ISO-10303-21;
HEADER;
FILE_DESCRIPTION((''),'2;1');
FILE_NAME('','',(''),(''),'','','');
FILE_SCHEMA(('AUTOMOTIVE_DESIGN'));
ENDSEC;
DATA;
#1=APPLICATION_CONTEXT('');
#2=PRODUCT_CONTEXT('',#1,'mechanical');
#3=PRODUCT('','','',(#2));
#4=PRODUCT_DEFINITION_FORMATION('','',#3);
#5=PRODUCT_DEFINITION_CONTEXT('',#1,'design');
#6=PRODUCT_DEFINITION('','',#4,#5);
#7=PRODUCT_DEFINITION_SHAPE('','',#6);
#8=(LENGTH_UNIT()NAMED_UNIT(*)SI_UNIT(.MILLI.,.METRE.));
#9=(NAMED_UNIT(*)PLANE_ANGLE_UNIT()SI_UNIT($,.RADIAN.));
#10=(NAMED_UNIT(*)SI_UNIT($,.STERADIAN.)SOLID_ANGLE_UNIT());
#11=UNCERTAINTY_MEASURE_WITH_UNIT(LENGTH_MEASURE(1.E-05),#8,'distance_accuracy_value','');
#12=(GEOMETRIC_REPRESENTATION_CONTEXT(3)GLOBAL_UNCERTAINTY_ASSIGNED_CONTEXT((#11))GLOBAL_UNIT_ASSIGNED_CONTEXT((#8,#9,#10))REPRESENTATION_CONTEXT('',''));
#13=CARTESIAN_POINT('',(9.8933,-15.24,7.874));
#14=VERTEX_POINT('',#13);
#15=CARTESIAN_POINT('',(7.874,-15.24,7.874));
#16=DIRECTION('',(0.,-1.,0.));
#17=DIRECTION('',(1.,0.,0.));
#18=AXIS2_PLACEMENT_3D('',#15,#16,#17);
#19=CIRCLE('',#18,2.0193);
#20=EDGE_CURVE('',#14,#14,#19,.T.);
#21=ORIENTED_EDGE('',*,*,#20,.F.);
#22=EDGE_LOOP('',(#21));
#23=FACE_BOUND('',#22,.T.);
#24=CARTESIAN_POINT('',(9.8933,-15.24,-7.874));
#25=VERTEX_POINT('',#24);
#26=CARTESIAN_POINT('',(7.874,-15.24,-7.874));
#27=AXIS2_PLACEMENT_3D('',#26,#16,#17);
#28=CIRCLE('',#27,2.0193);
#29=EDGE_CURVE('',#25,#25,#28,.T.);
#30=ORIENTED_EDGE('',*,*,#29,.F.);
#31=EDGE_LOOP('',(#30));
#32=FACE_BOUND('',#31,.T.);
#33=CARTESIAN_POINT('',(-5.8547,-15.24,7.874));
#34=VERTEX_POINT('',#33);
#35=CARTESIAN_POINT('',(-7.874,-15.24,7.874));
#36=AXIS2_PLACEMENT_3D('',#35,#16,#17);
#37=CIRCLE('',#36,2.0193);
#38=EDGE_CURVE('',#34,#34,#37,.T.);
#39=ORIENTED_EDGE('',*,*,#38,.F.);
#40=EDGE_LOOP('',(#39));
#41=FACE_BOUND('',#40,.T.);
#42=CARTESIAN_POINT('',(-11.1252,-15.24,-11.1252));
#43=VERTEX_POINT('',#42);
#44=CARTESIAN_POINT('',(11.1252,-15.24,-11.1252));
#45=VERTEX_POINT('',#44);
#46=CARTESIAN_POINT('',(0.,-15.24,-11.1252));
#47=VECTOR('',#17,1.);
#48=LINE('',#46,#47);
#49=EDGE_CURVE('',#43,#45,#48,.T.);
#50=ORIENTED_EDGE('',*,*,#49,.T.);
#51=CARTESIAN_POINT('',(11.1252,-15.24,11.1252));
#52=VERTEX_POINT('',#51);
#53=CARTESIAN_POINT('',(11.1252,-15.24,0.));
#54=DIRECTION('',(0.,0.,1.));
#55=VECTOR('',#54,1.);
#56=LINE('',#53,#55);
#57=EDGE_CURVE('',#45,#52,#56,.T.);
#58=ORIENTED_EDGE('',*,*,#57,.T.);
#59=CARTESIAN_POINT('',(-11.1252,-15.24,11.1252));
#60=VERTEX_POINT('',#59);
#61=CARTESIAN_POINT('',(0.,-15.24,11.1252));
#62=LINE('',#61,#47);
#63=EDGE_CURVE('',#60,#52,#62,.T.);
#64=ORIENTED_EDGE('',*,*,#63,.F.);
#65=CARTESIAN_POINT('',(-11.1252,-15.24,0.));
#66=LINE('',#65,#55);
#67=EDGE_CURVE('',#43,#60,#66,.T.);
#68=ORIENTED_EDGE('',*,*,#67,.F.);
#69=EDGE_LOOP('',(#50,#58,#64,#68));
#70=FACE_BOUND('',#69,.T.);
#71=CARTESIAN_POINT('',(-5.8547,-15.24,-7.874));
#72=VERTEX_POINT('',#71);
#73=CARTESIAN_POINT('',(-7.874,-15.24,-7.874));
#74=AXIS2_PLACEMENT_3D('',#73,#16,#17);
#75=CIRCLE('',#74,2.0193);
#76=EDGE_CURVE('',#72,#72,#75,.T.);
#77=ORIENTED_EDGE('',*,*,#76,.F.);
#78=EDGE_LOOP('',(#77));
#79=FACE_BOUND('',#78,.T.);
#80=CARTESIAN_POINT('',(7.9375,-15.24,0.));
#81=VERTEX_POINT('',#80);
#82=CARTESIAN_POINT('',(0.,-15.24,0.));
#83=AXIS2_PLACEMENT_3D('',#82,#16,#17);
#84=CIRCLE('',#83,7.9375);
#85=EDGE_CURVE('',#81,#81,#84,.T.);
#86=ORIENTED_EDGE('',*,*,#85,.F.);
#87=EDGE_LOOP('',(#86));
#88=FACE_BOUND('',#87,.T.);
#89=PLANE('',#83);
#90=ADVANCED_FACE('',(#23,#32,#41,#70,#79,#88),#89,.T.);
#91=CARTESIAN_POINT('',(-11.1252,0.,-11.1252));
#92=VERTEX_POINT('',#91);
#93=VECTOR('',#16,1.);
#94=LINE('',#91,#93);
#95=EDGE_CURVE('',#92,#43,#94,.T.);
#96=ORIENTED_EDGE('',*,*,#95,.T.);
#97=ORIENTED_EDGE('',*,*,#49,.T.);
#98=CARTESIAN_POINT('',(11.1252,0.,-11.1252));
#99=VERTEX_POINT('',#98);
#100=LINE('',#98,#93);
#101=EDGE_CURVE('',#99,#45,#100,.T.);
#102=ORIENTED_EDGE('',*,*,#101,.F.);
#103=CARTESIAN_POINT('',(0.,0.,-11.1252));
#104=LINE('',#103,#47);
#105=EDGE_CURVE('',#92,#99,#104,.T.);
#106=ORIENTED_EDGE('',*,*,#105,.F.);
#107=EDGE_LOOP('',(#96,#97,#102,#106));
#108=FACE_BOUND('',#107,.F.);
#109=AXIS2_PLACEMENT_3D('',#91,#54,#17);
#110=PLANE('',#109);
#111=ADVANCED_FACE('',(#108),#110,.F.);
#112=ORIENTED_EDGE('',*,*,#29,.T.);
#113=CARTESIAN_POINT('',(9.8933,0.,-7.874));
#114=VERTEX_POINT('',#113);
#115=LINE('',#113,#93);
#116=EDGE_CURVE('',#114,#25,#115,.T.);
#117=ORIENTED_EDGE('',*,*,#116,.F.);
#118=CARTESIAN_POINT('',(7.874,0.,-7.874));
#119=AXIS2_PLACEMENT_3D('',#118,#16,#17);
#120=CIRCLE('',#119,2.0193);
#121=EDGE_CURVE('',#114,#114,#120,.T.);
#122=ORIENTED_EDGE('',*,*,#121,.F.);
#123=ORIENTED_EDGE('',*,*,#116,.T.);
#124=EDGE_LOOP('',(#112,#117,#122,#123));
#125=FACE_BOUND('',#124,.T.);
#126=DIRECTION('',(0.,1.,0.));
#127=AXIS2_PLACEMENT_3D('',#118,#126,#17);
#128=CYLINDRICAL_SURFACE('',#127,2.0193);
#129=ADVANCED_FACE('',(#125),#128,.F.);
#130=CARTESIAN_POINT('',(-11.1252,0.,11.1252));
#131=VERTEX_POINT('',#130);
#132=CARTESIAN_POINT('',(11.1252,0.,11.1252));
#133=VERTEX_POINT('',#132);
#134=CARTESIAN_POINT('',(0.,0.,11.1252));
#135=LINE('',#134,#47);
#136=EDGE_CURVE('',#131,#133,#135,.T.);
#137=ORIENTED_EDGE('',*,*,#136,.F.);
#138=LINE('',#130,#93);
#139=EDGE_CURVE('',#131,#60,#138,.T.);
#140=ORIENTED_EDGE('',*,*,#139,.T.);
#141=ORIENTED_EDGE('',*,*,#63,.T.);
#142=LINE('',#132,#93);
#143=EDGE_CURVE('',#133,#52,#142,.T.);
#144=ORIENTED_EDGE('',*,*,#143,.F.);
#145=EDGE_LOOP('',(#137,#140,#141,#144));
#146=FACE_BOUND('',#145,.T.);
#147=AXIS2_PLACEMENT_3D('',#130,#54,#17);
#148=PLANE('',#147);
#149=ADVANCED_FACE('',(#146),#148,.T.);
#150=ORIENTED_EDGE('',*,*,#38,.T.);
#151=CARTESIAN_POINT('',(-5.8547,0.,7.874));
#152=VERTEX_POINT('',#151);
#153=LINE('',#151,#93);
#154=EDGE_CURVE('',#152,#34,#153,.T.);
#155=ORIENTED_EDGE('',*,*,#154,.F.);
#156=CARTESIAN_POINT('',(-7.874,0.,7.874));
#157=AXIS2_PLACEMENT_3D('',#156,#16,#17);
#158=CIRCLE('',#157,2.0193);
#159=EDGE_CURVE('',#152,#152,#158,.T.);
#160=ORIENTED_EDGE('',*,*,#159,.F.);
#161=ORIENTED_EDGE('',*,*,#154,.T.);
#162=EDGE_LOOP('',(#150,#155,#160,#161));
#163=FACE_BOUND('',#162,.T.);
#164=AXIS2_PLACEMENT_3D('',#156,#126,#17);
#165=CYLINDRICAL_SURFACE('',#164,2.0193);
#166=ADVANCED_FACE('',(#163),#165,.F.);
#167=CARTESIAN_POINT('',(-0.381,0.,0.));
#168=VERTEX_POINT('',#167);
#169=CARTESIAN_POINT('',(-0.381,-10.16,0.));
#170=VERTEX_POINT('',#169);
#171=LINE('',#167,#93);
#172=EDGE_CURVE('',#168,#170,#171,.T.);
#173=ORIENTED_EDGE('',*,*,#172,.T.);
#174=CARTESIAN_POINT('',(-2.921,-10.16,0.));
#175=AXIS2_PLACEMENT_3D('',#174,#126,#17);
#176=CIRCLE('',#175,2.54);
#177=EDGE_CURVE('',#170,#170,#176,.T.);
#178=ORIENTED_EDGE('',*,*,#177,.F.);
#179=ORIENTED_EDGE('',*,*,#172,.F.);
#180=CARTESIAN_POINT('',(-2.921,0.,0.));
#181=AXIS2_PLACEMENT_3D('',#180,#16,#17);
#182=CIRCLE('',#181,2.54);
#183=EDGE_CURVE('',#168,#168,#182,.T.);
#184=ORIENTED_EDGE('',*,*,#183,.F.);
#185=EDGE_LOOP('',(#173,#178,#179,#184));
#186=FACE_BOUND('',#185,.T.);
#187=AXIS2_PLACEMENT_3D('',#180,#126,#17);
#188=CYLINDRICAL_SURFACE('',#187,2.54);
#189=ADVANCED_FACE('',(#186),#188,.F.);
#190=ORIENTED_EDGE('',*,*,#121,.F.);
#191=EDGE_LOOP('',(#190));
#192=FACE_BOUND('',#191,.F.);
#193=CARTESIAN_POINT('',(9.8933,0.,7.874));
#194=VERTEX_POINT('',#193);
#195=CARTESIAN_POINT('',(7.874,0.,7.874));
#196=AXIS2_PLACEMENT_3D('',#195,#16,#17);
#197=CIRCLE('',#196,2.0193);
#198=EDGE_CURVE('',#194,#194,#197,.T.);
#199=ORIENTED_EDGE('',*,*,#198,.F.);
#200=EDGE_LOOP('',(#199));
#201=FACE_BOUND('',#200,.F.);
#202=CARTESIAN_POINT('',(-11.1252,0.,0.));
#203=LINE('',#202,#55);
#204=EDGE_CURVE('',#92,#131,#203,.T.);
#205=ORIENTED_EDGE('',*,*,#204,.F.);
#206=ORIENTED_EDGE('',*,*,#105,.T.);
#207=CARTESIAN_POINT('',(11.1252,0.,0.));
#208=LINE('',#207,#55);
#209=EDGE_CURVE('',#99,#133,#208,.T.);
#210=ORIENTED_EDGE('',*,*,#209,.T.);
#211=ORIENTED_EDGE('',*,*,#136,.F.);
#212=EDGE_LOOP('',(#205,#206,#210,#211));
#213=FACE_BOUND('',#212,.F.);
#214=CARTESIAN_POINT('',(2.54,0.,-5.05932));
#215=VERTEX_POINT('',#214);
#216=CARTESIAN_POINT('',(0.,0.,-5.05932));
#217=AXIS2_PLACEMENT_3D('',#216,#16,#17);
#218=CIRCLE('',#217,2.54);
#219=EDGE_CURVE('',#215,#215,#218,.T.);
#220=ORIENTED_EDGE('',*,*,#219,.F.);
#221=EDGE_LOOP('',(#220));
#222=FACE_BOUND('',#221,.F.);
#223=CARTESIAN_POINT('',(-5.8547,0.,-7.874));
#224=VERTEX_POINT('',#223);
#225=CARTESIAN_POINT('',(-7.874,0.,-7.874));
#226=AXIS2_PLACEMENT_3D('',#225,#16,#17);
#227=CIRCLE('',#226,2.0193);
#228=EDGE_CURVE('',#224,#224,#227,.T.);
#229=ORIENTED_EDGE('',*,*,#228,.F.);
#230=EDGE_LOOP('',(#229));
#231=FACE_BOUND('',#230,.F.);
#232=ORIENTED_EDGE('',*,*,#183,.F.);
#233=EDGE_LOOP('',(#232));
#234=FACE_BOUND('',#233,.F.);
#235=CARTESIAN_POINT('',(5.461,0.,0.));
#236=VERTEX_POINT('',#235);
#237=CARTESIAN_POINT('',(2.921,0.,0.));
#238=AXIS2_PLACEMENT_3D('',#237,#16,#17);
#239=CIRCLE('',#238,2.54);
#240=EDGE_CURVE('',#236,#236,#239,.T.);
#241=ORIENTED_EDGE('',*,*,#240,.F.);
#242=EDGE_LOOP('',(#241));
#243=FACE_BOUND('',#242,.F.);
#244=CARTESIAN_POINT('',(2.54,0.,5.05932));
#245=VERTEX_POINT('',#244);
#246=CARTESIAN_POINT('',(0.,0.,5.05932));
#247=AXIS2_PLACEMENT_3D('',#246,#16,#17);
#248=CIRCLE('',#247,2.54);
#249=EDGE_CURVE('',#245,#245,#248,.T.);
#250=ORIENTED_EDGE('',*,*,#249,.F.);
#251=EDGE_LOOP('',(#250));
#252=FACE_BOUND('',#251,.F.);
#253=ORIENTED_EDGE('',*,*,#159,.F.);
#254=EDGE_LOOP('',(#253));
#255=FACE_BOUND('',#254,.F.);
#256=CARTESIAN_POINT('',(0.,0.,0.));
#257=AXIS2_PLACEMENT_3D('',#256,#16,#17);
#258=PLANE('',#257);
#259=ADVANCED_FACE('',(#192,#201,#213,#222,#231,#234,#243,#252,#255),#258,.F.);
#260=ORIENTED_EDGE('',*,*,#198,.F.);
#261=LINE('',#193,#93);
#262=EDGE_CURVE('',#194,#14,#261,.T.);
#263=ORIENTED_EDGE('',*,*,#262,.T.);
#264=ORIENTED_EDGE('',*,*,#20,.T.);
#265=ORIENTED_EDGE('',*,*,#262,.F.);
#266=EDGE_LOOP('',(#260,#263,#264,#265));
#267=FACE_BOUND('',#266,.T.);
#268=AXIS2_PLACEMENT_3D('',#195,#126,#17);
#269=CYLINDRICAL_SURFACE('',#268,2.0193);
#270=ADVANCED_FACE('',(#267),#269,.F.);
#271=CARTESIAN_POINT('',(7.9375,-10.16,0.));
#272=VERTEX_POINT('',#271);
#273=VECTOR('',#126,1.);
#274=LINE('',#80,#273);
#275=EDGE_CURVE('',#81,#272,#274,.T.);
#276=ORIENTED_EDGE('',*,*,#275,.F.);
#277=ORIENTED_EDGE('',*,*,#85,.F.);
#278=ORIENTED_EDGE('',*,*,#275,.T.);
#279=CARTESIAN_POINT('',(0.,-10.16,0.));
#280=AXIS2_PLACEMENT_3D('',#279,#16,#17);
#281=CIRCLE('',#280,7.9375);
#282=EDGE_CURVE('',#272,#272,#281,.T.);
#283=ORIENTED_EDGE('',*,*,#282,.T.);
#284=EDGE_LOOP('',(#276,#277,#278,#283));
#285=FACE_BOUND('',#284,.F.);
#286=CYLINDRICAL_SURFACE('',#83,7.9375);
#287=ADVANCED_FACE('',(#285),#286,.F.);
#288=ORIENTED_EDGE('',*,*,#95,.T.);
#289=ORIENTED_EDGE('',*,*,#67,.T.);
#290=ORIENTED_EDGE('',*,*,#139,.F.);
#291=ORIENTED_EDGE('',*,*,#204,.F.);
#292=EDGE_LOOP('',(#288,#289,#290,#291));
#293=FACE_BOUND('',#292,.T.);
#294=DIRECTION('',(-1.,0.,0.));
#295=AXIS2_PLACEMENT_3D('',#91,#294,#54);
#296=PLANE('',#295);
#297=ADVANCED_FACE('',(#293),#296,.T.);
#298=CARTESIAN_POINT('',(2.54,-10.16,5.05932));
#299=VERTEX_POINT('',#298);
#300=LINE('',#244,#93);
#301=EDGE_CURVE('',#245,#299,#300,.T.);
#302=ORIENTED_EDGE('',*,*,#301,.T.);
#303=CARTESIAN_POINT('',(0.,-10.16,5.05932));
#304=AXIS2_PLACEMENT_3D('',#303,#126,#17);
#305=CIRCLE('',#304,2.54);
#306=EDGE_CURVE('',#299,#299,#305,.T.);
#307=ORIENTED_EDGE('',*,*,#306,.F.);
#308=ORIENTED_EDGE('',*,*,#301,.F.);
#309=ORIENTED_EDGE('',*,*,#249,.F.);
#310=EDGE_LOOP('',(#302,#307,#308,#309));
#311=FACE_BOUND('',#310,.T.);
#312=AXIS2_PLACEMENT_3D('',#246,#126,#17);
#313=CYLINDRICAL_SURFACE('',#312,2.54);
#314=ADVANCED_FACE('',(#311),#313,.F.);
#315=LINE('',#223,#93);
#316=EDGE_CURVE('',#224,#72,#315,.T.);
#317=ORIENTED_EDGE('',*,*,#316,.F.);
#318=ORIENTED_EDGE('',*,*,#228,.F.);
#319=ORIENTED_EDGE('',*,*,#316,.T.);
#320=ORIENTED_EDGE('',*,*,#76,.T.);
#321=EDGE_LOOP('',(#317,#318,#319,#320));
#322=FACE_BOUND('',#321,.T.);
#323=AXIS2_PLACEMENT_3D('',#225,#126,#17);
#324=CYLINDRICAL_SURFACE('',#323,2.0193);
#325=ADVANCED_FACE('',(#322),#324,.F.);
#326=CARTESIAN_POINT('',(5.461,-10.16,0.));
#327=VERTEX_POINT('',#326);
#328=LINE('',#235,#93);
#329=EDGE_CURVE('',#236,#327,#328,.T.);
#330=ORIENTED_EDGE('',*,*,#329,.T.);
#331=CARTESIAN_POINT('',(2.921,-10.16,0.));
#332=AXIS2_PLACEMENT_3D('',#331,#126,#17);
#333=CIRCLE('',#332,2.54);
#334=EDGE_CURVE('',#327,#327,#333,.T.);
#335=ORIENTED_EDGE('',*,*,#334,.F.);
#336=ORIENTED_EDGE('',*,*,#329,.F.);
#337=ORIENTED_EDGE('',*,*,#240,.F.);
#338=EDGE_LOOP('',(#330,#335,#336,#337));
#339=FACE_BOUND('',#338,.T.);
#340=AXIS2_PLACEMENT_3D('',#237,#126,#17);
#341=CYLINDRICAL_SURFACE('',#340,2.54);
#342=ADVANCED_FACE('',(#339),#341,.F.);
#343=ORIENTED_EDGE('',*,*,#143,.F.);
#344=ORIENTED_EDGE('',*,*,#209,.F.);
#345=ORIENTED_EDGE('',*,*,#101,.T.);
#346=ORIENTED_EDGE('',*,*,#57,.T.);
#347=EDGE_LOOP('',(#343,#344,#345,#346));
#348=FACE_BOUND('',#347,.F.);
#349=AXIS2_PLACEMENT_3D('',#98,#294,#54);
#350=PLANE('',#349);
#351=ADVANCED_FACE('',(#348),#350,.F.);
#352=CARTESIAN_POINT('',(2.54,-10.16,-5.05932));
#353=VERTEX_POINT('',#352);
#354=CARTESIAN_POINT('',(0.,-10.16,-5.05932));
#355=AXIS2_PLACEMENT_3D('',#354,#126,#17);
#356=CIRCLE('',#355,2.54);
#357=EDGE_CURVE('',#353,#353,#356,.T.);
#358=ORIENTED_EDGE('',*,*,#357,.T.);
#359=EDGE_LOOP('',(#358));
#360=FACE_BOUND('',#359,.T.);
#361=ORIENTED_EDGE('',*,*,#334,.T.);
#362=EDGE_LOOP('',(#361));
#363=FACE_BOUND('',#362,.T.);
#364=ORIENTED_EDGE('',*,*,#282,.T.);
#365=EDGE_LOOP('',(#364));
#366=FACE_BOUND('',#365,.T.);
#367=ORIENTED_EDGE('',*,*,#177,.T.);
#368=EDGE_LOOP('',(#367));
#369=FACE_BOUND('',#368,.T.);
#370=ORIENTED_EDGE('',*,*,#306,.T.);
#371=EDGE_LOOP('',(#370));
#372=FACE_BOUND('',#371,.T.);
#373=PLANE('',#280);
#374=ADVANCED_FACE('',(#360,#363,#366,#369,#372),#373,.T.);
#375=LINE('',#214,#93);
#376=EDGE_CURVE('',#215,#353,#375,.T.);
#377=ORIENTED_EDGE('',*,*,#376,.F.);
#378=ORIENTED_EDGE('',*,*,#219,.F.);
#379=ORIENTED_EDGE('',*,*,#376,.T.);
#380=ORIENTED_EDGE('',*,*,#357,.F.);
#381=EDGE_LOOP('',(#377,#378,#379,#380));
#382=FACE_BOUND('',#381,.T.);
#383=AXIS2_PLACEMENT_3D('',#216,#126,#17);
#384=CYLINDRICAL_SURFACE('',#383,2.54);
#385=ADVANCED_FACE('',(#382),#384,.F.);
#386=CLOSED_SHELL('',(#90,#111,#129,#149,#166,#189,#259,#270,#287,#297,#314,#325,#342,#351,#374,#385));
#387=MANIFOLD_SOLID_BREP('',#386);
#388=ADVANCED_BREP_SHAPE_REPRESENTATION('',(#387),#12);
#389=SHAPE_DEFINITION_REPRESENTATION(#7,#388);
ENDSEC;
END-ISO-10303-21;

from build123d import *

# Parameters (mm, degrees)
F0_W     = 22.2504
F0_H     = 22.2504
F0_R     = 2.0193
F0_R_2   = 2.54
F1_DEPTH = 15.24
F2_R     = 7.9375
F3_DEPTH = 5.08


with BuildPart() as f1:
    # F0 (on Front) → F1 (new body)
    with BuildSketch(Plane.XZ):
        Rectangle(F0_W, F0_H)
        with Locations((-7.874, -7.874)):
            Circle(F0_R, mode=Mode.SUBTRACT)
        with Locations((7.874, -7.874)):
            Circle(F0_R, mode=Mode.SUBTRACT)
        with Locations((0, -5.05932)):
            Circle(F0_R_2, mode=Mode.SUBTRACT)
        with Locations((-2.921, 0)):
            Circle(F0_R_2, mode=Mode.SUBTRACT)
        with Locations((-7.874, 7.874)):
            Circle(F0_R, mode=Mode.SUBTRACT)
        with Locations((2.921, 0)):
            Circle(F0_R_2, mode=Mode.SUBTRACT)
        with Locations((0, 5.05932)):
            Circle(F0_R_2, mode=Mode.SUBTRACT)
        with Locations((7.874, 7.874)):
            Circle(F0_R, mode=Mode.SUBTRACT)
    extrude(amount=F1_DEPTH)

    # F2 (on face) → F3 (cut)
    with BuildSketch(Plane.XZ.offset(15.24)):
        Circle(F2_R)
    extrude(amount=-F3_DEPTH, mode=Mode.SUBTRACT)


solid = f1.part
